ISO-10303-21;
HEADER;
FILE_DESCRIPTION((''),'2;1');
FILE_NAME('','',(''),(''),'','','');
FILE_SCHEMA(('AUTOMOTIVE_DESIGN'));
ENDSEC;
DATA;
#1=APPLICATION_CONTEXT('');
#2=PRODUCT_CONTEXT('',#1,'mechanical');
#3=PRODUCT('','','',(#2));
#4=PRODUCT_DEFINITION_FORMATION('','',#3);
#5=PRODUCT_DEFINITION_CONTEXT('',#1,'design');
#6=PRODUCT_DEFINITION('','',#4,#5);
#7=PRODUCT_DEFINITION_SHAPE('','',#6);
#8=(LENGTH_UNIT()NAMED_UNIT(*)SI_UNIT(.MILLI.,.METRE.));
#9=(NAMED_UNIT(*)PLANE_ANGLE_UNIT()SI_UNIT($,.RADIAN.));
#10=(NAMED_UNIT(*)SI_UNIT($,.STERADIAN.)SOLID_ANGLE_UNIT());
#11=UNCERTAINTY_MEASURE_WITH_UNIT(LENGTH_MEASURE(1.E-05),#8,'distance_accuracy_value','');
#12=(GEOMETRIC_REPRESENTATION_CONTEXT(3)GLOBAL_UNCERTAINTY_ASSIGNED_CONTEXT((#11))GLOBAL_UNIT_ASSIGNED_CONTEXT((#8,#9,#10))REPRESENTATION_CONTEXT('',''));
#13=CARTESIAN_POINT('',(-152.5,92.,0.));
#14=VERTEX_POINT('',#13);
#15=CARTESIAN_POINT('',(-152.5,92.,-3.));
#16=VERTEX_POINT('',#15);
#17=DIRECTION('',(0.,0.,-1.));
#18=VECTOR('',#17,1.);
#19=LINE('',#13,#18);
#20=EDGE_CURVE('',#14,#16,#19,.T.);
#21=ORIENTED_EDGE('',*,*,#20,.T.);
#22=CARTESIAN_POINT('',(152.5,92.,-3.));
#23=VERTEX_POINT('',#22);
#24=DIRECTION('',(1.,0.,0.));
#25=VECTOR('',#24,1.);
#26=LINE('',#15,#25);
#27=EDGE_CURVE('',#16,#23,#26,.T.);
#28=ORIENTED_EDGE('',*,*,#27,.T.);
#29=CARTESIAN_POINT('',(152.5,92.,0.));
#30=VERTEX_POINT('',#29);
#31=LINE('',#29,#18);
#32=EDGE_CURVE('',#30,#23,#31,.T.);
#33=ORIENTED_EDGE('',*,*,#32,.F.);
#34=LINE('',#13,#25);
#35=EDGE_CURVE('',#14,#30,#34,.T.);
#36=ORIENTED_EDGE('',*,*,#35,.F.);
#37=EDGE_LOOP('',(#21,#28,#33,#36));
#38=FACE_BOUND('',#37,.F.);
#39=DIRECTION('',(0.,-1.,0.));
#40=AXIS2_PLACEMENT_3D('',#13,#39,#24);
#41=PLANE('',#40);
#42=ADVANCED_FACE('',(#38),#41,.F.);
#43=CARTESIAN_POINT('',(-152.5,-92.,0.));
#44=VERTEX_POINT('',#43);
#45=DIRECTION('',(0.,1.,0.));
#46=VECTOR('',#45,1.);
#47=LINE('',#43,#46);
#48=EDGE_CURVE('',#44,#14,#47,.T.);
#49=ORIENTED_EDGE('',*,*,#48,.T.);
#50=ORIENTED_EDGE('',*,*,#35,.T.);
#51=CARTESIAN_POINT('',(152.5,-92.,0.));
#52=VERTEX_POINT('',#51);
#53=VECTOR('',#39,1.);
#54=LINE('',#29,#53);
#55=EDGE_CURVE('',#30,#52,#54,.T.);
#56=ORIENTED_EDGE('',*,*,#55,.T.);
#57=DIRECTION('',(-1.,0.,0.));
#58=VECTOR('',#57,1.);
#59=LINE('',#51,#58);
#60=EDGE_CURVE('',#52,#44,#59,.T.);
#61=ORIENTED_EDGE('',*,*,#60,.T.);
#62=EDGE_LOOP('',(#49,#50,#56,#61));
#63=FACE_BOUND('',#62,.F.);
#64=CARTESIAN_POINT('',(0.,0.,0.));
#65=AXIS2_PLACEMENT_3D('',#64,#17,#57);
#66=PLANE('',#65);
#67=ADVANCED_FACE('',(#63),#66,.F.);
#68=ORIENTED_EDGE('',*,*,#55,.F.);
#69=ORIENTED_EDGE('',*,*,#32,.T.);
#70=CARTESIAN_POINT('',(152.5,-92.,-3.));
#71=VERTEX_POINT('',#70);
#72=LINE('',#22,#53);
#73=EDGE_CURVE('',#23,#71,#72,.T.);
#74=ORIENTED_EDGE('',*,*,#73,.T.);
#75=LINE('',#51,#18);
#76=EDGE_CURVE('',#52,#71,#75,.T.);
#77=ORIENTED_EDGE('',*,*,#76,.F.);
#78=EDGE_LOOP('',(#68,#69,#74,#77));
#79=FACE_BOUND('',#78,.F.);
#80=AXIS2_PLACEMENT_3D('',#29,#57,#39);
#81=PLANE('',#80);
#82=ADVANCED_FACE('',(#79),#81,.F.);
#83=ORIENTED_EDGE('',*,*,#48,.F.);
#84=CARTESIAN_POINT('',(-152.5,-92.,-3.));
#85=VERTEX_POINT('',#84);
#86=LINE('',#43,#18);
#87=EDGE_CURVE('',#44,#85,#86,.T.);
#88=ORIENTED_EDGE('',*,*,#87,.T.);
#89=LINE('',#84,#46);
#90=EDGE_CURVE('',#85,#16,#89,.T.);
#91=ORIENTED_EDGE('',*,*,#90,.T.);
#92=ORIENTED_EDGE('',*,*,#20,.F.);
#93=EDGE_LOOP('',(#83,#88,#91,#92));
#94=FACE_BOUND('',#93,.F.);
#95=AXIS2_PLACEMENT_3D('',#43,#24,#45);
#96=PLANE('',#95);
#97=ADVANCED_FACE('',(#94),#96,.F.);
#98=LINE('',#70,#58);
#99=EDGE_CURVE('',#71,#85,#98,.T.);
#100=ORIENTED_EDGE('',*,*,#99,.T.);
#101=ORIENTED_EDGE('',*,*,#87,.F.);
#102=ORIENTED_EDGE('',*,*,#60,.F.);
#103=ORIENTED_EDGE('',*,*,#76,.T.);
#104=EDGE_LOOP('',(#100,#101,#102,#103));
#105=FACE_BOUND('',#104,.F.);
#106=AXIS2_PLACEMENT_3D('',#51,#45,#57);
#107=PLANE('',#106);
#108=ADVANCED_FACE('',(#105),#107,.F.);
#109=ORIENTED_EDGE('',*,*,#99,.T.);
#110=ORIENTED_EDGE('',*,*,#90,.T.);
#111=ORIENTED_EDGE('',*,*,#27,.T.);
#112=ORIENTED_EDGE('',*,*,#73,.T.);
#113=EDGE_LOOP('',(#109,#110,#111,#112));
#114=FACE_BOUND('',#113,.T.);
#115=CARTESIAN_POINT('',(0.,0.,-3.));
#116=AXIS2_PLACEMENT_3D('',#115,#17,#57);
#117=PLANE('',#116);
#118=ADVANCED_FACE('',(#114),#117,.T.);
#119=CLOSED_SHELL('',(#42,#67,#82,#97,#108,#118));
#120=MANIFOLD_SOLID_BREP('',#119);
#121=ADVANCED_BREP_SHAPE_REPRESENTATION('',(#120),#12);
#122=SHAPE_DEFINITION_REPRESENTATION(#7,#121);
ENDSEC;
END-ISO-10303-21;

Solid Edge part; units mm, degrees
sketch "Sketch1" plane through (0, 0, 0) normal (0, 0, -1) x (-1, 0, 0)
  line L0 (-152.5, -92) -> (152.5, -92)
  line L1 (152.5, -92) -> (152.5, 92)
  line L2 (152.5, 92) -> (-152.5, 92)
  line L3 (-152.5, 92) -> (-152.5, -92)
  dimension "D1" = 305
  dimension "D2" = 184
extrude "Protrusion1" add sketch "Sketch1" along normal blind 3
